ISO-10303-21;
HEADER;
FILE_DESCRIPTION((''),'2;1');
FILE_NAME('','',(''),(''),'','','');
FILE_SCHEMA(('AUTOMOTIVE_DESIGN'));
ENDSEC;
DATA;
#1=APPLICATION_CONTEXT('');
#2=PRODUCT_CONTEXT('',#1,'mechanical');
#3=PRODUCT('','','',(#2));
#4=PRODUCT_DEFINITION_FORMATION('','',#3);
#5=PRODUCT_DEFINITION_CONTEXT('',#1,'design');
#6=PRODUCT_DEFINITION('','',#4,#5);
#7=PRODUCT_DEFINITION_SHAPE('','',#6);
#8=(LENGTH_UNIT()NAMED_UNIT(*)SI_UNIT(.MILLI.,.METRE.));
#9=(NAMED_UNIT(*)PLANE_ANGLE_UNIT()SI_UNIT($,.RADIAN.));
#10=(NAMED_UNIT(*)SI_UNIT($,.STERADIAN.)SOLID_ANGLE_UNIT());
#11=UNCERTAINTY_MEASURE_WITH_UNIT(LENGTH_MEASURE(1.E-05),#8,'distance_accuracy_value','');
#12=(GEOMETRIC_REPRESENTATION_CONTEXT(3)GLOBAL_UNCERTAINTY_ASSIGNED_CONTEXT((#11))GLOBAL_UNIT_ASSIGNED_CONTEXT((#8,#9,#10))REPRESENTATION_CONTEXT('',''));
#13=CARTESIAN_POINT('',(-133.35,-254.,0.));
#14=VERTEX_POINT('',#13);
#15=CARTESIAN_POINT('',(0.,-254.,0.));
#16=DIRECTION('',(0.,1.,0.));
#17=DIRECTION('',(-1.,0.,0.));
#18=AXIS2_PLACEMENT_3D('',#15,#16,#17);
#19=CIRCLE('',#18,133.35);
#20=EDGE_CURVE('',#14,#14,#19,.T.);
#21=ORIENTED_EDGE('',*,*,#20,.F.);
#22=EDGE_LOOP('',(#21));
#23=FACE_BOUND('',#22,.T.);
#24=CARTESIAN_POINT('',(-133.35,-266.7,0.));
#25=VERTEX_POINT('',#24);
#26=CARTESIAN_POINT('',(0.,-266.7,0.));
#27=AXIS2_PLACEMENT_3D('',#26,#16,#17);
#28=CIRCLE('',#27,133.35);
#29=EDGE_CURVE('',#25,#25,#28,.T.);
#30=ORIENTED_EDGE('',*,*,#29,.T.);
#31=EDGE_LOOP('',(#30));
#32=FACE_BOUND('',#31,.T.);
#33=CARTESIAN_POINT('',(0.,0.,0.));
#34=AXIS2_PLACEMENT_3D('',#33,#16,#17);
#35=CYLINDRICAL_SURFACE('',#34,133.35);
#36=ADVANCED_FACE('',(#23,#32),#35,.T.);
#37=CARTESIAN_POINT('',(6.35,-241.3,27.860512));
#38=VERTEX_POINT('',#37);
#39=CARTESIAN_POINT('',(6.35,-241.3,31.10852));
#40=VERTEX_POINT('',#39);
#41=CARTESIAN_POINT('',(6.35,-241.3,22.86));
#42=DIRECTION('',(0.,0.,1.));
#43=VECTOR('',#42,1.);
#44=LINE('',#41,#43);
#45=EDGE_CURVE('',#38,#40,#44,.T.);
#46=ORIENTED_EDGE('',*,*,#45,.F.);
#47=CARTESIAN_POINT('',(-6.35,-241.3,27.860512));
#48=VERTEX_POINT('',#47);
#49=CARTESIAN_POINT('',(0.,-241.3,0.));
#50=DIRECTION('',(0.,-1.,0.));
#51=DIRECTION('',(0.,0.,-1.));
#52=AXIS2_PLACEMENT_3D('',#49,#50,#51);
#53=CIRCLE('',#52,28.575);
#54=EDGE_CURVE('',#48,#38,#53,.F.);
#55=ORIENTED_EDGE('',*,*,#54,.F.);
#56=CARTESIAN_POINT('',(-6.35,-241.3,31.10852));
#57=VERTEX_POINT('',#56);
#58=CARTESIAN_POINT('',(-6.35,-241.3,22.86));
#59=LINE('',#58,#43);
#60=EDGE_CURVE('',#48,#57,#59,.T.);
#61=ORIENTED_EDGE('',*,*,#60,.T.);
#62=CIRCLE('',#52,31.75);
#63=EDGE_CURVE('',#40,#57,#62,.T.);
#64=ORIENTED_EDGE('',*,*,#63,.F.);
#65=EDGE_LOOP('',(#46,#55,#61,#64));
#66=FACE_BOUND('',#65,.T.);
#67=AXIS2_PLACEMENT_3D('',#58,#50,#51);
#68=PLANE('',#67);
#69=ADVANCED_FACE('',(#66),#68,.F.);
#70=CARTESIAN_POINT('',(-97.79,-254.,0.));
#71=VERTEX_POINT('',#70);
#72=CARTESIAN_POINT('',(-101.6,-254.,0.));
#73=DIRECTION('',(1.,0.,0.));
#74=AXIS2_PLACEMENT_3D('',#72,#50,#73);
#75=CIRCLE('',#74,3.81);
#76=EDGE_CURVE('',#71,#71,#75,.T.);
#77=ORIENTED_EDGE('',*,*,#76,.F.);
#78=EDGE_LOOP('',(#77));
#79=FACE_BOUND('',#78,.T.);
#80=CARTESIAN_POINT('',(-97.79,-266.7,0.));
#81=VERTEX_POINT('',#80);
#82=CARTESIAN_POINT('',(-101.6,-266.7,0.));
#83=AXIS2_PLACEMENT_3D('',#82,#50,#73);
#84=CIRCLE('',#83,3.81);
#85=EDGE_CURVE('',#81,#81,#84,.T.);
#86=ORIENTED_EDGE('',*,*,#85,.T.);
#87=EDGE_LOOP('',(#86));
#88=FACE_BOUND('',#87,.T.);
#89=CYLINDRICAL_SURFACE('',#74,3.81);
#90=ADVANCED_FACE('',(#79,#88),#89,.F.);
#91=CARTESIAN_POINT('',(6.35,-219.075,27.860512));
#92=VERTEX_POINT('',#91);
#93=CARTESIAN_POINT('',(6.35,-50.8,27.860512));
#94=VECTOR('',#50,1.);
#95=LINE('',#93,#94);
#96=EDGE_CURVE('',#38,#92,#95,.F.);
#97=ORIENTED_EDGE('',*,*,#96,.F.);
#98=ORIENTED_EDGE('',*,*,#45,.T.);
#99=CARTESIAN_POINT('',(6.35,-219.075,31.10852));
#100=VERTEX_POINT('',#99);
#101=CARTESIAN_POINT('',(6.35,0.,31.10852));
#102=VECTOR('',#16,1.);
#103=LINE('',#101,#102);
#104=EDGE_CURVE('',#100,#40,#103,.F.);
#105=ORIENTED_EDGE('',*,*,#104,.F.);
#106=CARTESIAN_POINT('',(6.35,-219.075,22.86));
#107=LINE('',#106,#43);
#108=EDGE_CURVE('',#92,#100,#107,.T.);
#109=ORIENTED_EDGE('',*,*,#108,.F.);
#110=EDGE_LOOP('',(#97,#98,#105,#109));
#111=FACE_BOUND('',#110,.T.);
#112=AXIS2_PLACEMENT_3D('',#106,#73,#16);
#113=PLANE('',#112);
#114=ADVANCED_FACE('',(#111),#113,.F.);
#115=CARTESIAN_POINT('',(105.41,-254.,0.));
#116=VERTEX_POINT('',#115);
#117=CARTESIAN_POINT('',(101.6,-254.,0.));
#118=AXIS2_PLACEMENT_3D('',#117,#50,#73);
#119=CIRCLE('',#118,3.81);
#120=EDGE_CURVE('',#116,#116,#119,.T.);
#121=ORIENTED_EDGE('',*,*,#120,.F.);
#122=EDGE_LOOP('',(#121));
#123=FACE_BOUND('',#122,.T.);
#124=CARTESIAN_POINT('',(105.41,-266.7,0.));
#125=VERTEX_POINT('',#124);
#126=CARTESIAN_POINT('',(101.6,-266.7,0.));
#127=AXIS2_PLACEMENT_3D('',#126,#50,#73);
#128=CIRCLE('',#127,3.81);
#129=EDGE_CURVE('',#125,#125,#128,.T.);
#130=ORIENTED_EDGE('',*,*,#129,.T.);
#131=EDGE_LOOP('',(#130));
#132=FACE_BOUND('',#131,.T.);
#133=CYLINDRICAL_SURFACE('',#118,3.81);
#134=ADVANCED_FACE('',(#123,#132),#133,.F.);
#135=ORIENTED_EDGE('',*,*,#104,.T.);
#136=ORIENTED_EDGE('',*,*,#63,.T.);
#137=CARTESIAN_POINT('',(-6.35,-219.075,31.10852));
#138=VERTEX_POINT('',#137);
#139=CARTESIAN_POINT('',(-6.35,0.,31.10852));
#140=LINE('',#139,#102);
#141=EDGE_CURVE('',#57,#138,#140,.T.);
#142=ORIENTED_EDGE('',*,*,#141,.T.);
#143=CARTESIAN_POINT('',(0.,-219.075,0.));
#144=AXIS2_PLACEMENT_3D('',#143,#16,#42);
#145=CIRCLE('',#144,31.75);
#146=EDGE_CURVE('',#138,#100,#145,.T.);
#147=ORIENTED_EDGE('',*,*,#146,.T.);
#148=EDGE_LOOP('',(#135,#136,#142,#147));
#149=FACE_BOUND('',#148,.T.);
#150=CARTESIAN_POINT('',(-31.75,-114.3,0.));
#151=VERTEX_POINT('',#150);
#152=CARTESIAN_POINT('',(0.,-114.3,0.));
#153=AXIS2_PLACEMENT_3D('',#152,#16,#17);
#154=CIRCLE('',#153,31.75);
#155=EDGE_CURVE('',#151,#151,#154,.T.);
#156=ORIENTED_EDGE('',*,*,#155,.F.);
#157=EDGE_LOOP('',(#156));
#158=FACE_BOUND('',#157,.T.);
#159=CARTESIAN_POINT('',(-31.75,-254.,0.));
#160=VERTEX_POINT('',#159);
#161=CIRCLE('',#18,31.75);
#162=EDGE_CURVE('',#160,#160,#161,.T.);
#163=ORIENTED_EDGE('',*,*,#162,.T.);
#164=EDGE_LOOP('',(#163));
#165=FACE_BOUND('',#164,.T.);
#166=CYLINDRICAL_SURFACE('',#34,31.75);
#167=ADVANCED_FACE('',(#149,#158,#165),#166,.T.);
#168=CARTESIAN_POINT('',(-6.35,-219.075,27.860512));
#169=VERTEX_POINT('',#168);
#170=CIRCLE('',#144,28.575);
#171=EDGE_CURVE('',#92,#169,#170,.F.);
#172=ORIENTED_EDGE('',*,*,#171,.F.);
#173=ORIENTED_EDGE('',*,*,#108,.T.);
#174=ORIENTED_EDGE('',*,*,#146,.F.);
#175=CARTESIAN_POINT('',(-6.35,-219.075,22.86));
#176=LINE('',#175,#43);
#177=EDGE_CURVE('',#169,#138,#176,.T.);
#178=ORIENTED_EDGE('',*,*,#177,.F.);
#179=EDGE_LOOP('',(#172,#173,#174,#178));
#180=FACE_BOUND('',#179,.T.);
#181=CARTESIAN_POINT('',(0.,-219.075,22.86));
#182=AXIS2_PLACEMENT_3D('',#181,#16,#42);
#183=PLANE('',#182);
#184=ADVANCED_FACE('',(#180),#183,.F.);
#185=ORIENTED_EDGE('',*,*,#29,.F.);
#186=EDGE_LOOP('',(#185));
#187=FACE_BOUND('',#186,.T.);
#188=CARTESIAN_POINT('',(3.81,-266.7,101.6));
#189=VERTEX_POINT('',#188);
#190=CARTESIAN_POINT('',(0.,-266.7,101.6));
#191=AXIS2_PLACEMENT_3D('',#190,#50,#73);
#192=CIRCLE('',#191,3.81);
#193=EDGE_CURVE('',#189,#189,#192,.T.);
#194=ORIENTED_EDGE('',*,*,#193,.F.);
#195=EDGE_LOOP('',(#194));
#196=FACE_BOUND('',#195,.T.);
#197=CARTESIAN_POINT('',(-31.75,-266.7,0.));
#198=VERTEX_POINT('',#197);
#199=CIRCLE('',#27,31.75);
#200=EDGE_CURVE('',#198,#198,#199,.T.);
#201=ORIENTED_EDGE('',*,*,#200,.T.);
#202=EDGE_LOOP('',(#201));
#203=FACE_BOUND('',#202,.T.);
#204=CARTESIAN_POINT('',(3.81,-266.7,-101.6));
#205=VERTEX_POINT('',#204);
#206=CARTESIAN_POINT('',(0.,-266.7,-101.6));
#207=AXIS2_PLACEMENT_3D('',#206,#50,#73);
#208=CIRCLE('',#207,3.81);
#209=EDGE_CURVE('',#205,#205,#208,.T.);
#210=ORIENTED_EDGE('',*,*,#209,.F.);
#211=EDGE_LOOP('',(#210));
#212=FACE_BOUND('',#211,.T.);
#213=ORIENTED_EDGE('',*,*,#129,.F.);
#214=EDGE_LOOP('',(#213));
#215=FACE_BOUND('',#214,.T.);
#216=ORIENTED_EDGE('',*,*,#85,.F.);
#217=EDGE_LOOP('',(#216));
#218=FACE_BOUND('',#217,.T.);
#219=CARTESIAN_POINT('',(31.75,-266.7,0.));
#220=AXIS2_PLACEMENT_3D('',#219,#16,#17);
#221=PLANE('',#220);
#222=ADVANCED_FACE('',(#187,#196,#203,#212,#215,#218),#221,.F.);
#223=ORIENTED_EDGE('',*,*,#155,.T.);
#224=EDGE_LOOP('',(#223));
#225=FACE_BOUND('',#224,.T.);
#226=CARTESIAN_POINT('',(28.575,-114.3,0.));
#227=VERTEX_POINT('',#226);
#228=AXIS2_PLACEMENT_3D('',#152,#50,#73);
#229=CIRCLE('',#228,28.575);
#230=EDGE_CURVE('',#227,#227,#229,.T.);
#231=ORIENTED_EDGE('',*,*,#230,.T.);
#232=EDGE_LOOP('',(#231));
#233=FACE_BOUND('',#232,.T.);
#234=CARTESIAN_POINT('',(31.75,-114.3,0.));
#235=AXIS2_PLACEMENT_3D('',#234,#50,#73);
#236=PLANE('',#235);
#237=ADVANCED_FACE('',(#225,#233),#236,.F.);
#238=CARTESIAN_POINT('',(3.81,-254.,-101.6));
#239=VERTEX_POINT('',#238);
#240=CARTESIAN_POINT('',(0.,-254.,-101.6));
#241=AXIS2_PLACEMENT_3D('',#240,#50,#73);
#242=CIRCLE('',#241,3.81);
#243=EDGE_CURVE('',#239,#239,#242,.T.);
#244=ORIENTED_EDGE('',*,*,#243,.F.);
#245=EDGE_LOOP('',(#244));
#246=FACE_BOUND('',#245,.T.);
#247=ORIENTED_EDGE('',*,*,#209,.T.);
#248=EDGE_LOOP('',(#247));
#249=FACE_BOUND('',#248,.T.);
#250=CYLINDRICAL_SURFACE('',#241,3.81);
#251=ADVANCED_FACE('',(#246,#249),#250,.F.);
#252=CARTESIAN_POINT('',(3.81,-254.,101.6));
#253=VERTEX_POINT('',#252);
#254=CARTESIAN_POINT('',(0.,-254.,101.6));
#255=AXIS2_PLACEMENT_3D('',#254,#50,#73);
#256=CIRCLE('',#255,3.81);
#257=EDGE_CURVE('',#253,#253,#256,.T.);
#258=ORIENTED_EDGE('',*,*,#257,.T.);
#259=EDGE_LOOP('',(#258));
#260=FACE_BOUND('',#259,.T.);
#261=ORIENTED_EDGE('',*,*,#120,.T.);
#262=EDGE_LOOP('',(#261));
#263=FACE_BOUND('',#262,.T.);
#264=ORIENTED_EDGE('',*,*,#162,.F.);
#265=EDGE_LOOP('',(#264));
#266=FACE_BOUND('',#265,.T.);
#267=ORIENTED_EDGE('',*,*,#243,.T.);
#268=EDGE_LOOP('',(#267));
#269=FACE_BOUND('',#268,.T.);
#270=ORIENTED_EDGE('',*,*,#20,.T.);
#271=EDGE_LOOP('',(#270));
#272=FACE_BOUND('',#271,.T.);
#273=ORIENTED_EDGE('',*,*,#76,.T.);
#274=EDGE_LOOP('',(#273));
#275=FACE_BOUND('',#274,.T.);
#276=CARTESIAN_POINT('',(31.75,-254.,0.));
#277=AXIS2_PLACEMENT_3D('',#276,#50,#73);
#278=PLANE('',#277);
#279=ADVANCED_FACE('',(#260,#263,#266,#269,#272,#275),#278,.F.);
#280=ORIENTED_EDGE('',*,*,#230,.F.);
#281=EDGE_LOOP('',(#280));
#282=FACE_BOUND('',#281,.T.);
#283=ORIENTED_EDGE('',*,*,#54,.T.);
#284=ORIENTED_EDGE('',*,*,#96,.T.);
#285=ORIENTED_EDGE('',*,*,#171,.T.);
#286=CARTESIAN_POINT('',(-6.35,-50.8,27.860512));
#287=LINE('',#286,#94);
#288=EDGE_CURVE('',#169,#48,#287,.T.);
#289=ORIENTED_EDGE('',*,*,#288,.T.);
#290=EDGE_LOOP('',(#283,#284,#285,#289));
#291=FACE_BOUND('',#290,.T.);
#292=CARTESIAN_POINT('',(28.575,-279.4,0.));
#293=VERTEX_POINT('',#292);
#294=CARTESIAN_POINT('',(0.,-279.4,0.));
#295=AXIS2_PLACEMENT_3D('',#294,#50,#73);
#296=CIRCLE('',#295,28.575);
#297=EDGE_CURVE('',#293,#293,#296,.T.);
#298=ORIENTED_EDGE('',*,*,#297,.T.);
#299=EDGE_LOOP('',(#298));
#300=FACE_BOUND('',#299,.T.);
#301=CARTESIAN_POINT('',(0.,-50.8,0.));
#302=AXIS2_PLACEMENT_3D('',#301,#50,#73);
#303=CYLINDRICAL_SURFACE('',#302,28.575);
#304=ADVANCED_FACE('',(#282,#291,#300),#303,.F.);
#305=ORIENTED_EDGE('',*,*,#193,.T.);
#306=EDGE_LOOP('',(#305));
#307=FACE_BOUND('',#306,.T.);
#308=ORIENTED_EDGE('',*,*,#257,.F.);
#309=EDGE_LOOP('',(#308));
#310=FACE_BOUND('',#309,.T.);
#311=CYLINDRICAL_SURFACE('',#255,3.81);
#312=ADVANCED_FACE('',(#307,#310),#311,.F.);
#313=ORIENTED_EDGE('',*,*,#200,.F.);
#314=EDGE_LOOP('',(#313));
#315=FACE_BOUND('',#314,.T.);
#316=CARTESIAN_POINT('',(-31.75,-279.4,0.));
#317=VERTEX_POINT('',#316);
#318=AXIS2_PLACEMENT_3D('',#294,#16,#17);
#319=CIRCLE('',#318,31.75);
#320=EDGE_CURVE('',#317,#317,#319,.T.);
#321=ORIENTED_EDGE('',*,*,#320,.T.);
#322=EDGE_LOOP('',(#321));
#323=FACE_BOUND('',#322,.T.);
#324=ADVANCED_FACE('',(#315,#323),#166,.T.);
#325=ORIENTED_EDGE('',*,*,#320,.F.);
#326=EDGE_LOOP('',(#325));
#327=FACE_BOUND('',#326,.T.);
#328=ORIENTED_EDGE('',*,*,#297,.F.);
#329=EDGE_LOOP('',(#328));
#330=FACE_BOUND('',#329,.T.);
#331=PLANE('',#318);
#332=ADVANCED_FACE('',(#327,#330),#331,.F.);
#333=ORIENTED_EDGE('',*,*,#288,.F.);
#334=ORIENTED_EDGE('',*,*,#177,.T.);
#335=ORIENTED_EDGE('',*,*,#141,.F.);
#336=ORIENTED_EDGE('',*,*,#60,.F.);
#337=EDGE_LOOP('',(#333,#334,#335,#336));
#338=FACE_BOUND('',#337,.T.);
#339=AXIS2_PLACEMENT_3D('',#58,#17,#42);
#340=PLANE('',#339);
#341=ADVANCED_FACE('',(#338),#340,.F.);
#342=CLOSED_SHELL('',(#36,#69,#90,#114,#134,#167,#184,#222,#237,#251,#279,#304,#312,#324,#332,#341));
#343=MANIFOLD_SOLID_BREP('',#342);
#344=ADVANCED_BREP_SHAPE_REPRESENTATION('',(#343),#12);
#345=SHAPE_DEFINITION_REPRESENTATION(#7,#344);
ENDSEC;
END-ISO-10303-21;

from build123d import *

# Parameters (mm, degrees)
SKETCH2_R          = 28.575
CUT_EXTRUDE2_DEPTH = 228.6
CUT_EXTRUDE5_DEPTH = 8.89
SKETCH4_R          = 3.81
CUT_EXTRUDE4_DEPTH = 12.7


with BuildPart() as part:
    # Sketch1 → Revolve1 (revolve)
    with BuildSketch(Plane.XY, mode=Mode.PRIVATE) as revolve1_sk:
        Polygon((0, -114.3), (0, -279.4), (31.75, -279.4), (31.75, -266.7), (133.35, -266.7), (133.35, -254), (31.75, -254), (31.75, -114.3), align=None)
    revolve(revolve1_sk.sketch.rotate(Axis((0, 0, 0), (0, -1, 0)), 180), axis=Axis((0, 0, 0), (0, -1, 0)))

    # Sketch2 → Cut-Extrude2 (cut)
    with BuildSketch(Plane.XZ.offset(279.4)):
        Circle(SKETCH2_R)
    extrude(amount=-CUT_EXTRUDE2_DEPTH, mode=Mode.SUBTRACT)

    # Sketch3 → Cut-Extrude5 (cut)
    with BuildSketch(Plane.XY.offset(31.75)):
        Polygon((-6.35, -241.3), (6.35, -241.3), (6.35, -219.075), (0, -219.075), (-6.35, -219.075), align=None)
    extrude(amount=-CUT_EXTRUDE5_DEPTH, mode=Mode.SUBTRACT)

    # Sketch4 → Cut-Extrude4 (cut)
    with BuildSketch(Plane.XZ.offset(266.7)):
        with Locations((0, 101.6)):
            Circle(SKETCH4_R)
        with Locations((101.6, 0)):
            Circle(SKETCH4_R)
        with Locations((0, -101.6)):
            Circle(SKETCH4_R)
        with Locations((-101.6, 0)):
            Circle(SKETCH4_R)
    extrude(amount=-CUT_EXTRUDE4_DEPTH, mode=Mode.SUBTRACT)


solid = part.part
